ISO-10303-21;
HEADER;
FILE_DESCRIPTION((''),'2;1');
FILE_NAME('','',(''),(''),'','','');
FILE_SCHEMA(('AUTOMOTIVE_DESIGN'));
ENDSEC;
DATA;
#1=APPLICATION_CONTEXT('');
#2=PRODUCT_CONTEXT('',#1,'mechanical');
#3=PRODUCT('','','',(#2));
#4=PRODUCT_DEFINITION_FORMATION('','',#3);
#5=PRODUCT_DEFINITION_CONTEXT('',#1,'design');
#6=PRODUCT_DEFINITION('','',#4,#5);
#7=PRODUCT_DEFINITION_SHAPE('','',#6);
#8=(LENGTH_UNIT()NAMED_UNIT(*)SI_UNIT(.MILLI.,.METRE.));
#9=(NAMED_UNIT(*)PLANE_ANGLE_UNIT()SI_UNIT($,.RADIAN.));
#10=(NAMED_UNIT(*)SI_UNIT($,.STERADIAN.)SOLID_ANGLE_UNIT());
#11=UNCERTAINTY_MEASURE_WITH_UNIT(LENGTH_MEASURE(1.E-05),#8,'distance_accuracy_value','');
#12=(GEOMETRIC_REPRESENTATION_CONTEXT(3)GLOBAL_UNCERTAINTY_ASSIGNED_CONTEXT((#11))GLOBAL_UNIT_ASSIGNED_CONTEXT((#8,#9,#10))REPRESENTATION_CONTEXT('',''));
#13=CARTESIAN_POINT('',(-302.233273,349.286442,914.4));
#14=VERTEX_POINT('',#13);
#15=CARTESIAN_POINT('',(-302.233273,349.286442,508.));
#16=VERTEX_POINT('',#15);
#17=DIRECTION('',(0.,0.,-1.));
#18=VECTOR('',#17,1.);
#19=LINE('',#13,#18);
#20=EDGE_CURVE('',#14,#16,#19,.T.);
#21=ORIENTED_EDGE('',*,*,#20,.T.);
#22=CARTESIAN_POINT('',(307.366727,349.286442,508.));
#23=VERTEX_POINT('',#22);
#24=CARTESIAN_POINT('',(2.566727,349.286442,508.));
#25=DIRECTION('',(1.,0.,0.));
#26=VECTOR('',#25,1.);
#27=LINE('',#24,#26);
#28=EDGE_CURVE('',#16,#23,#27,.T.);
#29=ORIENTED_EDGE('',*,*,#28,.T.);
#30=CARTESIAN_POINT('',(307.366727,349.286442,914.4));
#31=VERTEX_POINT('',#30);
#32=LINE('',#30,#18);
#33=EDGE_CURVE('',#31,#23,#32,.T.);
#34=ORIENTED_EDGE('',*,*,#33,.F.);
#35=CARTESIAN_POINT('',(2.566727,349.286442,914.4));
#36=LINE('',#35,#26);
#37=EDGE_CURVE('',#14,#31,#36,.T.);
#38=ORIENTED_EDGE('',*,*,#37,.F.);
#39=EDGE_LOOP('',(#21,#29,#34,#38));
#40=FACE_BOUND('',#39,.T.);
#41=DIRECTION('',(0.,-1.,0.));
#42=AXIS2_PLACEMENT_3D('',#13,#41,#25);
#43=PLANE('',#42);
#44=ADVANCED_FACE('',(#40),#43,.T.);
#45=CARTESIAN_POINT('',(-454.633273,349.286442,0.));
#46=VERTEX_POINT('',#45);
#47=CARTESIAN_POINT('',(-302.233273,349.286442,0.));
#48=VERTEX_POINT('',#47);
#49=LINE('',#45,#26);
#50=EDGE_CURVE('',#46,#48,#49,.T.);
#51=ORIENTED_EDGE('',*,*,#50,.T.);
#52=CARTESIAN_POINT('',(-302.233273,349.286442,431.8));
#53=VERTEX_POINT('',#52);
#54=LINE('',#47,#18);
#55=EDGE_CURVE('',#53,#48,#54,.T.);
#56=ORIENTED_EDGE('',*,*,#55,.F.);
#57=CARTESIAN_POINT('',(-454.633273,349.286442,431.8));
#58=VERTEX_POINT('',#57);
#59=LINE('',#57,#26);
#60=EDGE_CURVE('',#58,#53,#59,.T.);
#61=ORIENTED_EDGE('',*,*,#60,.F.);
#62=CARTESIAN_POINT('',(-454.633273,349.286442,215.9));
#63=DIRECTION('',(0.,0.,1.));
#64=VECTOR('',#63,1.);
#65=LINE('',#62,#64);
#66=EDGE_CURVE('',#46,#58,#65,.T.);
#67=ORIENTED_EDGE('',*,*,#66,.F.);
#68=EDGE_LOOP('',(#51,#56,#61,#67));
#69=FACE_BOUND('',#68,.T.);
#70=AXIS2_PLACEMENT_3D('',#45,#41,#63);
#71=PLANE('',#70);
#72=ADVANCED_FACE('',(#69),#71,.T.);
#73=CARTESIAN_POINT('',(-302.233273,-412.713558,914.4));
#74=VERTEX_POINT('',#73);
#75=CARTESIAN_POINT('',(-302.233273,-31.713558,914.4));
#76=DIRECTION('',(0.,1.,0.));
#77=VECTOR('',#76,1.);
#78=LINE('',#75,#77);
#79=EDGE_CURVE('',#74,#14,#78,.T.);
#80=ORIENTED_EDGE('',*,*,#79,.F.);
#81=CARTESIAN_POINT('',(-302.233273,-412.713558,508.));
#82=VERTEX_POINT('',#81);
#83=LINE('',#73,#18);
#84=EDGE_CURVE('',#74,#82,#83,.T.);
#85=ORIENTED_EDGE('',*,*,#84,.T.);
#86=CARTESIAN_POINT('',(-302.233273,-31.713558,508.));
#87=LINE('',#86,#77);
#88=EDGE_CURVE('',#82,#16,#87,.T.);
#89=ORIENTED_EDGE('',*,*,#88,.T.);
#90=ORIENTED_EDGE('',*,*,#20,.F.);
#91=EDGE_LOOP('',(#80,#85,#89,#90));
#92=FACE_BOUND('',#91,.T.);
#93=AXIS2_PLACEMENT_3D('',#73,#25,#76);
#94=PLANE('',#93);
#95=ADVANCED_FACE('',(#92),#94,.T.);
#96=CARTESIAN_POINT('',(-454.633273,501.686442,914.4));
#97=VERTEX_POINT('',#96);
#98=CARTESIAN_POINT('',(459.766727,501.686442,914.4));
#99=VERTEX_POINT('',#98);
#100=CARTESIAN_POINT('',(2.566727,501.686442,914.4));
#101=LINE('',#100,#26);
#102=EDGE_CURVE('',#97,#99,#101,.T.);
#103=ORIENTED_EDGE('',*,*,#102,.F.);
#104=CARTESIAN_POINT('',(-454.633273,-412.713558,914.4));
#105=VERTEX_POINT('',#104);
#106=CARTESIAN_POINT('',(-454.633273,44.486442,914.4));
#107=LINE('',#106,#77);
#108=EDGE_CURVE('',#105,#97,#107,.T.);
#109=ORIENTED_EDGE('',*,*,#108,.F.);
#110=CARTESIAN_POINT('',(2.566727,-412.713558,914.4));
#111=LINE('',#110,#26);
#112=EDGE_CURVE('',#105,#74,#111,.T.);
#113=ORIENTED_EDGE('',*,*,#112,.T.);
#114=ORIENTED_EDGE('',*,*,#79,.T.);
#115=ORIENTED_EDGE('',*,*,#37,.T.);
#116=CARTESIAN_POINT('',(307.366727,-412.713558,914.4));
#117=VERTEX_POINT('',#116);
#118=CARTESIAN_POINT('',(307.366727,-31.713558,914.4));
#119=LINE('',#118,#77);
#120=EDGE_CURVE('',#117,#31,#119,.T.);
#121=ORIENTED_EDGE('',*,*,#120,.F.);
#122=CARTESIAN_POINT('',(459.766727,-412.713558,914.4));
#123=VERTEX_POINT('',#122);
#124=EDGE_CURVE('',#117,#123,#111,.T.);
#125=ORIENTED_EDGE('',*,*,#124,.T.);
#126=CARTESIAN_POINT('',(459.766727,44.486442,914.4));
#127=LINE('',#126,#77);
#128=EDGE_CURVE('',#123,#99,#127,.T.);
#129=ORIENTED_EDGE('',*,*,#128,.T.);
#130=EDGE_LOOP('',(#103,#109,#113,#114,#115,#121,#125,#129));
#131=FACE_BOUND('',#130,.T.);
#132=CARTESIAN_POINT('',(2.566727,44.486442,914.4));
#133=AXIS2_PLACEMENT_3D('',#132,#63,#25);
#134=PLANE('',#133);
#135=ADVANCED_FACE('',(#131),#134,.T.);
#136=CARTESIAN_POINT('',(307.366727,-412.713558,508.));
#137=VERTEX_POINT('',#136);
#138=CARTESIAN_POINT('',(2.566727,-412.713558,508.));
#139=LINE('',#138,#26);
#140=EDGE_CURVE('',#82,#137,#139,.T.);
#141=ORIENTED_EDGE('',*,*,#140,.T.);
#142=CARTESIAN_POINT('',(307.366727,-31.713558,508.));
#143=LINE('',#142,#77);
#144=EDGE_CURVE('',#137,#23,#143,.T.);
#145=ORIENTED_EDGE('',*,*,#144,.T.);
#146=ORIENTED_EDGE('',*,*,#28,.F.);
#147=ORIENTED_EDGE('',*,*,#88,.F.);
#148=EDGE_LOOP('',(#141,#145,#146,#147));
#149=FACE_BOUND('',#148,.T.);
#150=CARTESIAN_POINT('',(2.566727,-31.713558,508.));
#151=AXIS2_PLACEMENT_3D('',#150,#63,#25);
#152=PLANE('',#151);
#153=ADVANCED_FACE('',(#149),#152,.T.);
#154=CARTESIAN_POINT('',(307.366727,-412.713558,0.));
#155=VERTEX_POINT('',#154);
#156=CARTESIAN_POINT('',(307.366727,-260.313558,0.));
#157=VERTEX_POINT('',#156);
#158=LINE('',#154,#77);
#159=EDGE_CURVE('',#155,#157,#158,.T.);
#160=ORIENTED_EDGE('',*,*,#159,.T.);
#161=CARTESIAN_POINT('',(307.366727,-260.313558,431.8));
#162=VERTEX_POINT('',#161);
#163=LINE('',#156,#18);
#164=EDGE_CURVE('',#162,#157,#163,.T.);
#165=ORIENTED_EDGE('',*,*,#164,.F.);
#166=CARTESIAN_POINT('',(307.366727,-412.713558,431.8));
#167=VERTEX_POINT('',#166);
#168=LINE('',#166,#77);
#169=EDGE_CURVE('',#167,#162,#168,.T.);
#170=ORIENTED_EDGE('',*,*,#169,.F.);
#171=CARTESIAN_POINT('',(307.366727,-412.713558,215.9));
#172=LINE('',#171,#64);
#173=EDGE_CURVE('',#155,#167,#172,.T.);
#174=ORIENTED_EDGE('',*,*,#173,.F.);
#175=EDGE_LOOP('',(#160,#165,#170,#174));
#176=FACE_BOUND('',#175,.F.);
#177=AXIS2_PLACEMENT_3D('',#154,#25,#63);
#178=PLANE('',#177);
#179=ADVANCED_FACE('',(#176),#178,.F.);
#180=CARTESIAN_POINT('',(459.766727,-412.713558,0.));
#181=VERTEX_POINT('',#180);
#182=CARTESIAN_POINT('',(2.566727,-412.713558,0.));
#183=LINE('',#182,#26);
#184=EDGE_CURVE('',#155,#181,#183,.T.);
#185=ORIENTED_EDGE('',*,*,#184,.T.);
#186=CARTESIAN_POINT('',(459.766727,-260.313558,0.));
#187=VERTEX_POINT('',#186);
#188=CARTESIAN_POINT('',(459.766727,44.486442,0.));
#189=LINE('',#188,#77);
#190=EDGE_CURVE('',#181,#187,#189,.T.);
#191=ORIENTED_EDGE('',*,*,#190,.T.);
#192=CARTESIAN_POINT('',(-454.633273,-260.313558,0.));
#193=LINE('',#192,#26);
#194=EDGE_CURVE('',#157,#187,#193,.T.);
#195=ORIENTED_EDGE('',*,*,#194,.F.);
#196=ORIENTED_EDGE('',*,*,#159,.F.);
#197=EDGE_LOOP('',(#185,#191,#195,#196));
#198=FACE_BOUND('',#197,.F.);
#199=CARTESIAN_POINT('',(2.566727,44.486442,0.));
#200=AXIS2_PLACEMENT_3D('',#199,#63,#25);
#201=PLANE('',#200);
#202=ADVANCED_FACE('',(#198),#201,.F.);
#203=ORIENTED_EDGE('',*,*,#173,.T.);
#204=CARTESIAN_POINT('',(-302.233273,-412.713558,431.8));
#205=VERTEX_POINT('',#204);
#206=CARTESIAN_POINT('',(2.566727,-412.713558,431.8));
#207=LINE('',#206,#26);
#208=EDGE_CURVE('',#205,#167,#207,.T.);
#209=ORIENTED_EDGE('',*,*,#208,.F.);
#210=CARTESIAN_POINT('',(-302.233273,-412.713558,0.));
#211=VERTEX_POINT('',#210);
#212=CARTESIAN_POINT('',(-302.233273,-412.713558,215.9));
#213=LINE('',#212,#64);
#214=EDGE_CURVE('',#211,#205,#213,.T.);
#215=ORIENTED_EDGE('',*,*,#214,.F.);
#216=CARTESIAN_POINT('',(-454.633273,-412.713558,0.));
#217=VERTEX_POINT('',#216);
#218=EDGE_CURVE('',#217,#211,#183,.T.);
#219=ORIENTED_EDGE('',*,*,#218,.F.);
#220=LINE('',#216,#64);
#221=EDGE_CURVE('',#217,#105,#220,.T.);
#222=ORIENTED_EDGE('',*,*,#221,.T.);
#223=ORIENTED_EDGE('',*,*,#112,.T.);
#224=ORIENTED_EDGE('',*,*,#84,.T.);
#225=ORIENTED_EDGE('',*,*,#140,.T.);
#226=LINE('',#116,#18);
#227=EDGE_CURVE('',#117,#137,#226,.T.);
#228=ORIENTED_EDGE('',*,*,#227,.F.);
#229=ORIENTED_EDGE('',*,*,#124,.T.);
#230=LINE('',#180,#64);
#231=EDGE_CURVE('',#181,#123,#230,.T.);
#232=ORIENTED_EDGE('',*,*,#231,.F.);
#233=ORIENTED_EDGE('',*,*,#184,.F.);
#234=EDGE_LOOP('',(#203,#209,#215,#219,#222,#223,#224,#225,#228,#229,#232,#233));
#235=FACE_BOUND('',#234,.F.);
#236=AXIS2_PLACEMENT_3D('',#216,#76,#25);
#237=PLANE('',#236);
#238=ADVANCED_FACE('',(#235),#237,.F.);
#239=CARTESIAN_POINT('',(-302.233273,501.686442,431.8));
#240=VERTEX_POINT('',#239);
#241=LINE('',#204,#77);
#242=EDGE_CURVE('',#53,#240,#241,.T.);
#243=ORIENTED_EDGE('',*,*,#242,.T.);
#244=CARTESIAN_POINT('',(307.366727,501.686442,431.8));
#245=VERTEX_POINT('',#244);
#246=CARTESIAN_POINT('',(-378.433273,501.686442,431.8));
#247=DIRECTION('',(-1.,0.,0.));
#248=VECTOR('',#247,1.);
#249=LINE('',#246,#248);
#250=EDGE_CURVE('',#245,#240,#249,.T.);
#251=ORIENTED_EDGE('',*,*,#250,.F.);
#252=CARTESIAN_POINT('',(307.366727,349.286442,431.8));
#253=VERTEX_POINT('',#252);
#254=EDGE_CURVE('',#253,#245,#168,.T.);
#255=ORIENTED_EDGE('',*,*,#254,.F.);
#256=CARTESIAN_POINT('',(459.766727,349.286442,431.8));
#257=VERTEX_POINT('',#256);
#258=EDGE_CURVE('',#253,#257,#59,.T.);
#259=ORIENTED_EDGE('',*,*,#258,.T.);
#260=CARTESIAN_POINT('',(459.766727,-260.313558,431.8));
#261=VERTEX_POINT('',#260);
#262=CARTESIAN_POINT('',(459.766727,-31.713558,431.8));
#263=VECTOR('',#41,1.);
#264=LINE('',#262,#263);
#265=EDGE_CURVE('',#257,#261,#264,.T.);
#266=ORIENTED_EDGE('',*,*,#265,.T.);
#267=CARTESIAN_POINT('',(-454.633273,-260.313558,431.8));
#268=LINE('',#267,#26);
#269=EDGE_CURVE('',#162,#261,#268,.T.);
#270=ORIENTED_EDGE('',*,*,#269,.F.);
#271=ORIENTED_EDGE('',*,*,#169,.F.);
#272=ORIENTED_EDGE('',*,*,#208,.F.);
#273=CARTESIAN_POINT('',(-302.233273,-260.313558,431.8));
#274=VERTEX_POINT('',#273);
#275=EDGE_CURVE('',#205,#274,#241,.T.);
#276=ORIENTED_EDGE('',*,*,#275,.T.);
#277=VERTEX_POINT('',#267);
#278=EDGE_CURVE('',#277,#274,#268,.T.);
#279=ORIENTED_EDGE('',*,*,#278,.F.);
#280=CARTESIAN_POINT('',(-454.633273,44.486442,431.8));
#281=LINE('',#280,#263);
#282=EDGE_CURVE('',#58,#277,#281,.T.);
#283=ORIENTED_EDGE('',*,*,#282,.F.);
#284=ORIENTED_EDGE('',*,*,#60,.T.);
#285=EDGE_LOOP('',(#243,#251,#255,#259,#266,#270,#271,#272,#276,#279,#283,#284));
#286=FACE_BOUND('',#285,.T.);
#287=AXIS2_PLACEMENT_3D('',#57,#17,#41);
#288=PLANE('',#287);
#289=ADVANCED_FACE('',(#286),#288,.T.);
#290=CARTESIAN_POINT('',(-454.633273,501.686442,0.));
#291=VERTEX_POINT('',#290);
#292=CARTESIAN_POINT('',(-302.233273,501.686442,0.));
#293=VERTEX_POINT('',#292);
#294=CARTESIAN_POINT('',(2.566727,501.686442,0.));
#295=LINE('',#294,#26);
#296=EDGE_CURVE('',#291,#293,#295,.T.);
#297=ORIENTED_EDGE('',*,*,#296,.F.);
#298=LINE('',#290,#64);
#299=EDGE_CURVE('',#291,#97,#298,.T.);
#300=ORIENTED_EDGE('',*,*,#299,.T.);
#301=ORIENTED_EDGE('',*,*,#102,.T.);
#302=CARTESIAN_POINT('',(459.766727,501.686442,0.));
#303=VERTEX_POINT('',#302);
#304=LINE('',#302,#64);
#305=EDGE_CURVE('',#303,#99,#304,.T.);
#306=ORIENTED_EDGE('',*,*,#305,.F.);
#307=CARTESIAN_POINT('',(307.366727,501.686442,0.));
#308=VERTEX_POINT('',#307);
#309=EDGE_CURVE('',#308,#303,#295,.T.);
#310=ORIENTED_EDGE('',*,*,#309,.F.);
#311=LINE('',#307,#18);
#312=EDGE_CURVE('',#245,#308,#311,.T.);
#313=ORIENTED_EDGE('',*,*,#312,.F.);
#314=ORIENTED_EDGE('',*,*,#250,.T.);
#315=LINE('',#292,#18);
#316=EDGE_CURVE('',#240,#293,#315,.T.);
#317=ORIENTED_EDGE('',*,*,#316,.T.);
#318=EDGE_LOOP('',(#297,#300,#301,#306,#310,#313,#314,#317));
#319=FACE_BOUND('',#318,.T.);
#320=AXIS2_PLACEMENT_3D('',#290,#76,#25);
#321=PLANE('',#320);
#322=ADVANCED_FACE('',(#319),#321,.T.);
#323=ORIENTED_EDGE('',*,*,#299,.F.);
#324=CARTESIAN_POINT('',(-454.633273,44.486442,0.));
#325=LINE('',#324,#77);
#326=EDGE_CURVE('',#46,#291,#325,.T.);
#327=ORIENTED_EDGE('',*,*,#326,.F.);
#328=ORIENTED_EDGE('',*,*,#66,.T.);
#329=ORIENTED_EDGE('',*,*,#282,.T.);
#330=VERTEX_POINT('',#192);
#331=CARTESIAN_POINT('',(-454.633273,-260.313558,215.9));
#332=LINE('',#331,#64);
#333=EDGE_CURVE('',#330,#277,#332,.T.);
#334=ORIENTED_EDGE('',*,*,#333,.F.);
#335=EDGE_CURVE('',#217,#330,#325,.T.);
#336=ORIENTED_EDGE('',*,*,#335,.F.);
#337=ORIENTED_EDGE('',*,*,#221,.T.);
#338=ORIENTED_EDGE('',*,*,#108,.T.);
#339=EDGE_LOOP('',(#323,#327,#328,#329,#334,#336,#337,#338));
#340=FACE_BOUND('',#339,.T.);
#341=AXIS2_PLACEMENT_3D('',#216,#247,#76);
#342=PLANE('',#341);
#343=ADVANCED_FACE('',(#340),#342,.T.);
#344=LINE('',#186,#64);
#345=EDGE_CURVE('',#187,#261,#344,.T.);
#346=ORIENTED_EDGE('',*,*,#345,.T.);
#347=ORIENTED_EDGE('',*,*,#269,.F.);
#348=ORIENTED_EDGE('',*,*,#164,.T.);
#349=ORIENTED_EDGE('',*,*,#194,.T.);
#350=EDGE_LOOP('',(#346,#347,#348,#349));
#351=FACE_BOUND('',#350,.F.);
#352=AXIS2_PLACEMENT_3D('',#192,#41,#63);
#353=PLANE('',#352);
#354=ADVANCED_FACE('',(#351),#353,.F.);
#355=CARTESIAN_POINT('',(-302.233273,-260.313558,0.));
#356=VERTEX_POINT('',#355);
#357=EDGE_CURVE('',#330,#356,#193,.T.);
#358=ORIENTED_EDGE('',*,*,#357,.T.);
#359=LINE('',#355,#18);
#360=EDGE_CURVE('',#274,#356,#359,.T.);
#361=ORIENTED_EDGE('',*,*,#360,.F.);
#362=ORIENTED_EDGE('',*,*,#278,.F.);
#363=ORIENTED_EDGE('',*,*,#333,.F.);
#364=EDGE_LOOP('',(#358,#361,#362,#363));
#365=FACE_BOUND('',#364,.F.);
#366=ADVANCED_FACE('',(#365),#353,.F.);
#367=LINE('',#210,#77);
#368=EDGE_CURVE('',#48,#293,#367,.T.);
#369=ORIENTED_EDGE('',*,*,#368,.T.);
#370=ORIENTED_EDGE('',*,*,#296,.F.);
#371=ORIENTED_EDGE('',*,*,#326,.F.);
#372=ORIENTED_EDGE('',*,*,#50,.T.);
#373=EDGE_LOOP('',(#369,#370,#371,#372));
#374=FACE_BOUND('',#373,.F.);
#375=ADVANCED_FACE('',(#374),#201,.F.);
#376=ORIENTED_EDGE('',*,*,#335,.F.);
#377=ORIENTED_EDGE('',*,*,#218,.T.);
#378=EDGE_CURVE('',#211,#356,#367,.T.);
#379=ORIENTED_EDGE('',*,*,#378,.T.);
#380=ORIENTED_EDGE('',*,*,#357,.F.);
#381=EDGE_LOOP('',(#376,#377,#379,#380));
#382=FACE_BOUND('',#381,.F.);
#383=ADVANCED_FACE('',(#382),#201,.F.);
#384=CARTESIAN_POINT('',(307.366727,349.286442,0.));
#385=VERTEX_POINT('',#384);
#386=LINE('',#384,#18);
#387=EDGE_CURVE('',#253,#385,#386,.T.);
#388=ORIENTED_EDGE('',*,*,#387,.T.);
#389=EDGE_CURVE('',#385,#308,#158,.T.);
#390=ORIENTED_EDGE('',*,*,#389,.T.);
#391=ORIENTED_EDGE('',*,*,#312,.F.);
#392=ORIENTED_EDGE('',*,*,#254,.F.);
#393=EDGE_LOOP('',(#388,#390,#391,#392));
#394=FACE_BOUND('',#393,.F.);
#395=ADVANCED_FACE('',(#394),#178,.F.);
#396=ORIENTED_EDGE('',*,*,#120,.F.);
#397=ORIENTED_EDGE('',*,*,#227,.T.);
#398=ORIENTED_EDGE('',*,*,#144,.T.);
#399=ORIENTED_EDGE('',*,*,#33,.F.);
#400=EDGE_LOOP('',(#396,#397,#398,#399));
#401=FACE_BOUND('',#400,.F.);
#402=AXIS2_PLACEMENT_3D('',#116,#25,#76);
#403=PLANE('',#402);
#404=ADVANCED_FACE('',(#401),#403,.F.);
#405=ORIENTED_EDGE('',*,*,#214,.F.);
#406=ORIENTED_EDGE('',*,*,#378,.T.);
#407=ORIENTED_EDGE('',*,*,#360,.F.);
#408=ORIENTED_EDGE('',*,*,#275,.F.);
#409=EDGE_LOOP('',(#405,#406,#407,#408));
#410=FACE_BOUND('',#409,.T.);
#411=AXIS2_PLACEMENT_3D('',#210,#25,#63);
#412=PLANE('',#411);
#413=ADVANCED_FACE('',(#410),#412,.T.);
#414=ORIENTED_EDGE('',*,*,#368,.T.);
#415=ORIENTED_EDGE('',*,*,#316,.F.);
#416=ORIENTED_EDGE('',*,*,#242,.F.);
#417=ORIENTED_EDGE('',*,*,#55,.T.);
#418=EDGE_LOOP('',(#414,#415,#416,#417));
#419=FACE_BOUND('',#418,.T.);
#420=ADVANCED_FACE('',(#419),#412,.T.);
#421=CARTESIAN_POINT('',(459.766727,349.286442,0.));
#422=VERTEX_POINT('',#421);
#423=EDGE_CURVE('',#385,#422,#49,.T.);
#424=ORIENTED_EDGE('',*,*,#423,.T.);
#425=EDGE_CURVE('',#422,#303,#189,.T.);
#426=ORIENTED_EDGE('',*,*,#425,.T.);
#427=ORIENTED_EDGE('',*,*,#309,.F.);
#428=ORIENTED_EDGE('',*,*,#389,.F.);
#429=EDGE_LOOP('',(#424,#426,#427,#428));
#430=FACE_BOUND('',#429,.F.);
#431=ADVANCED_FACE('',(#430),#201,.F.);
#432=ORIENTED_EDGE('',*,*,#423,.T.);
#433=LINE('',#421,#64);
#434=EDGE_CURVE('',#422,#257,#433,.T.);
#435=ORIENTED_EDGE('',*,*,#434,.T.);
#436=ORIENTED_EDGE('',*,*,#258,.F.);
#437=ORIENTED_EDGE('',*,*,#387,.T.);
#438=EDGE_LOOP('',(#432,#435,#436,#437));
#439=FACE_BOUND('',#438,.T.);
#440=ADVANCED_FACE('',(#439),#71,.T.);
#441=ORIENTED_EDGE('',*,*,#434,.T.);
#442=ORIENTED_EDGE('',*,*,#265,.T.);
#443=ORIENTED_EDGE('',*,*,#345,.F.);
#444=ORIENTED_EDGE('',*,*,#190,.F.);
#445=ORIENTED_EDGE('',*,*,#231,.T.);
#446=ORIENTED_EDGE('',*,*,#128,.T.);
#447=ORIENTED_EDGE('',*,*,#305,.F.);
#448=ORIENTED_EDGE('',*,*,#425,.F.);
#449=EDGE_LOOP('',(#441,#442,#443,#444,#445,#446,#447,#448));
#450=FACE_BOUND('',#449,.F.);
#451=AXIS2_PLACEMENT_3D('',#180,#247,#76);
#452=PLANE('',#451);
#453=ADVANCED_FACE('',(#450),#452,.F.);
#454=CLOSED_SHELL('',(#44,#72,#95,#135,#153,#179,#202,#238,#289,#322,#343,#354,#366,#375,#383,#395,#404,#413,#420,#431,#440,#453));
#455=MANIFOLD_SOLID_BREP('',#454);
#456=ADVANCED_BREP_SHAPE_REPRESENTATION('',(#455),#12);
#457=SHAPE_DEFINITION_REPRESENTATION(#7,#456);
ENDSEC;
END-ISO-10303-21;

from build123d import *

# Parameters (mm, degrees)
F0_W     = 914.4
F0_H     = 914.4
F1_DEPTH = 914.4
F2_W     = 609.6
F2_H     = 762
F3_DEPTH = 406.4
F4_W     = 609.6
F4_H     = 431.8
F5_DEPTH = 914.401
F6_W     = 609.6
F6_H     = 431.8
F7_DEPTH = 914.401


with BuildPart() as f1:
    # F0 (on Top) → F1 (new body)
    with BuildSketch(Plane.XY):
        with Locations((2.566727, 44.486442)):
            Rectangle(F0_W, F0_H)
    extrude(amount=F1_DEPTH)

    # F2 (on face) → F3 (cut)
    with BuildSketch(Plane.XY.offset(914.4)):
        with Locations((2.566727, -31.713558)):
            Rectangle(F2_W, F2_H)
    extrude(amount=-F3_DEPTH, mode=Mode.SUBTRACT)

    # F4 (on face) → F5 (cut, through all)
    with BuildSketch(Plane.XZ.offset(412.713558)):
        with Locations((2.566727, 215.9)):
            Rectangle(F4_W, F4_H)
    extrude(amount=-F5_DEPTH, mode=Mode.SUBTRACT)

    # F6 (on face) → F7 (cut, through all)
    with BuildSketch(Plane(origin=(-454.633273, 0, 0), x_dir=(0, -1, 0), z_dir=(-1, 0, 0))):
        with Locations((-44.486442, 215.9)):
            Rectangle(F6_W, F6_H)
    extrude(amount=-F7_DEPTH, mode=Mode.SUBTRACT)


solid = f1.part
